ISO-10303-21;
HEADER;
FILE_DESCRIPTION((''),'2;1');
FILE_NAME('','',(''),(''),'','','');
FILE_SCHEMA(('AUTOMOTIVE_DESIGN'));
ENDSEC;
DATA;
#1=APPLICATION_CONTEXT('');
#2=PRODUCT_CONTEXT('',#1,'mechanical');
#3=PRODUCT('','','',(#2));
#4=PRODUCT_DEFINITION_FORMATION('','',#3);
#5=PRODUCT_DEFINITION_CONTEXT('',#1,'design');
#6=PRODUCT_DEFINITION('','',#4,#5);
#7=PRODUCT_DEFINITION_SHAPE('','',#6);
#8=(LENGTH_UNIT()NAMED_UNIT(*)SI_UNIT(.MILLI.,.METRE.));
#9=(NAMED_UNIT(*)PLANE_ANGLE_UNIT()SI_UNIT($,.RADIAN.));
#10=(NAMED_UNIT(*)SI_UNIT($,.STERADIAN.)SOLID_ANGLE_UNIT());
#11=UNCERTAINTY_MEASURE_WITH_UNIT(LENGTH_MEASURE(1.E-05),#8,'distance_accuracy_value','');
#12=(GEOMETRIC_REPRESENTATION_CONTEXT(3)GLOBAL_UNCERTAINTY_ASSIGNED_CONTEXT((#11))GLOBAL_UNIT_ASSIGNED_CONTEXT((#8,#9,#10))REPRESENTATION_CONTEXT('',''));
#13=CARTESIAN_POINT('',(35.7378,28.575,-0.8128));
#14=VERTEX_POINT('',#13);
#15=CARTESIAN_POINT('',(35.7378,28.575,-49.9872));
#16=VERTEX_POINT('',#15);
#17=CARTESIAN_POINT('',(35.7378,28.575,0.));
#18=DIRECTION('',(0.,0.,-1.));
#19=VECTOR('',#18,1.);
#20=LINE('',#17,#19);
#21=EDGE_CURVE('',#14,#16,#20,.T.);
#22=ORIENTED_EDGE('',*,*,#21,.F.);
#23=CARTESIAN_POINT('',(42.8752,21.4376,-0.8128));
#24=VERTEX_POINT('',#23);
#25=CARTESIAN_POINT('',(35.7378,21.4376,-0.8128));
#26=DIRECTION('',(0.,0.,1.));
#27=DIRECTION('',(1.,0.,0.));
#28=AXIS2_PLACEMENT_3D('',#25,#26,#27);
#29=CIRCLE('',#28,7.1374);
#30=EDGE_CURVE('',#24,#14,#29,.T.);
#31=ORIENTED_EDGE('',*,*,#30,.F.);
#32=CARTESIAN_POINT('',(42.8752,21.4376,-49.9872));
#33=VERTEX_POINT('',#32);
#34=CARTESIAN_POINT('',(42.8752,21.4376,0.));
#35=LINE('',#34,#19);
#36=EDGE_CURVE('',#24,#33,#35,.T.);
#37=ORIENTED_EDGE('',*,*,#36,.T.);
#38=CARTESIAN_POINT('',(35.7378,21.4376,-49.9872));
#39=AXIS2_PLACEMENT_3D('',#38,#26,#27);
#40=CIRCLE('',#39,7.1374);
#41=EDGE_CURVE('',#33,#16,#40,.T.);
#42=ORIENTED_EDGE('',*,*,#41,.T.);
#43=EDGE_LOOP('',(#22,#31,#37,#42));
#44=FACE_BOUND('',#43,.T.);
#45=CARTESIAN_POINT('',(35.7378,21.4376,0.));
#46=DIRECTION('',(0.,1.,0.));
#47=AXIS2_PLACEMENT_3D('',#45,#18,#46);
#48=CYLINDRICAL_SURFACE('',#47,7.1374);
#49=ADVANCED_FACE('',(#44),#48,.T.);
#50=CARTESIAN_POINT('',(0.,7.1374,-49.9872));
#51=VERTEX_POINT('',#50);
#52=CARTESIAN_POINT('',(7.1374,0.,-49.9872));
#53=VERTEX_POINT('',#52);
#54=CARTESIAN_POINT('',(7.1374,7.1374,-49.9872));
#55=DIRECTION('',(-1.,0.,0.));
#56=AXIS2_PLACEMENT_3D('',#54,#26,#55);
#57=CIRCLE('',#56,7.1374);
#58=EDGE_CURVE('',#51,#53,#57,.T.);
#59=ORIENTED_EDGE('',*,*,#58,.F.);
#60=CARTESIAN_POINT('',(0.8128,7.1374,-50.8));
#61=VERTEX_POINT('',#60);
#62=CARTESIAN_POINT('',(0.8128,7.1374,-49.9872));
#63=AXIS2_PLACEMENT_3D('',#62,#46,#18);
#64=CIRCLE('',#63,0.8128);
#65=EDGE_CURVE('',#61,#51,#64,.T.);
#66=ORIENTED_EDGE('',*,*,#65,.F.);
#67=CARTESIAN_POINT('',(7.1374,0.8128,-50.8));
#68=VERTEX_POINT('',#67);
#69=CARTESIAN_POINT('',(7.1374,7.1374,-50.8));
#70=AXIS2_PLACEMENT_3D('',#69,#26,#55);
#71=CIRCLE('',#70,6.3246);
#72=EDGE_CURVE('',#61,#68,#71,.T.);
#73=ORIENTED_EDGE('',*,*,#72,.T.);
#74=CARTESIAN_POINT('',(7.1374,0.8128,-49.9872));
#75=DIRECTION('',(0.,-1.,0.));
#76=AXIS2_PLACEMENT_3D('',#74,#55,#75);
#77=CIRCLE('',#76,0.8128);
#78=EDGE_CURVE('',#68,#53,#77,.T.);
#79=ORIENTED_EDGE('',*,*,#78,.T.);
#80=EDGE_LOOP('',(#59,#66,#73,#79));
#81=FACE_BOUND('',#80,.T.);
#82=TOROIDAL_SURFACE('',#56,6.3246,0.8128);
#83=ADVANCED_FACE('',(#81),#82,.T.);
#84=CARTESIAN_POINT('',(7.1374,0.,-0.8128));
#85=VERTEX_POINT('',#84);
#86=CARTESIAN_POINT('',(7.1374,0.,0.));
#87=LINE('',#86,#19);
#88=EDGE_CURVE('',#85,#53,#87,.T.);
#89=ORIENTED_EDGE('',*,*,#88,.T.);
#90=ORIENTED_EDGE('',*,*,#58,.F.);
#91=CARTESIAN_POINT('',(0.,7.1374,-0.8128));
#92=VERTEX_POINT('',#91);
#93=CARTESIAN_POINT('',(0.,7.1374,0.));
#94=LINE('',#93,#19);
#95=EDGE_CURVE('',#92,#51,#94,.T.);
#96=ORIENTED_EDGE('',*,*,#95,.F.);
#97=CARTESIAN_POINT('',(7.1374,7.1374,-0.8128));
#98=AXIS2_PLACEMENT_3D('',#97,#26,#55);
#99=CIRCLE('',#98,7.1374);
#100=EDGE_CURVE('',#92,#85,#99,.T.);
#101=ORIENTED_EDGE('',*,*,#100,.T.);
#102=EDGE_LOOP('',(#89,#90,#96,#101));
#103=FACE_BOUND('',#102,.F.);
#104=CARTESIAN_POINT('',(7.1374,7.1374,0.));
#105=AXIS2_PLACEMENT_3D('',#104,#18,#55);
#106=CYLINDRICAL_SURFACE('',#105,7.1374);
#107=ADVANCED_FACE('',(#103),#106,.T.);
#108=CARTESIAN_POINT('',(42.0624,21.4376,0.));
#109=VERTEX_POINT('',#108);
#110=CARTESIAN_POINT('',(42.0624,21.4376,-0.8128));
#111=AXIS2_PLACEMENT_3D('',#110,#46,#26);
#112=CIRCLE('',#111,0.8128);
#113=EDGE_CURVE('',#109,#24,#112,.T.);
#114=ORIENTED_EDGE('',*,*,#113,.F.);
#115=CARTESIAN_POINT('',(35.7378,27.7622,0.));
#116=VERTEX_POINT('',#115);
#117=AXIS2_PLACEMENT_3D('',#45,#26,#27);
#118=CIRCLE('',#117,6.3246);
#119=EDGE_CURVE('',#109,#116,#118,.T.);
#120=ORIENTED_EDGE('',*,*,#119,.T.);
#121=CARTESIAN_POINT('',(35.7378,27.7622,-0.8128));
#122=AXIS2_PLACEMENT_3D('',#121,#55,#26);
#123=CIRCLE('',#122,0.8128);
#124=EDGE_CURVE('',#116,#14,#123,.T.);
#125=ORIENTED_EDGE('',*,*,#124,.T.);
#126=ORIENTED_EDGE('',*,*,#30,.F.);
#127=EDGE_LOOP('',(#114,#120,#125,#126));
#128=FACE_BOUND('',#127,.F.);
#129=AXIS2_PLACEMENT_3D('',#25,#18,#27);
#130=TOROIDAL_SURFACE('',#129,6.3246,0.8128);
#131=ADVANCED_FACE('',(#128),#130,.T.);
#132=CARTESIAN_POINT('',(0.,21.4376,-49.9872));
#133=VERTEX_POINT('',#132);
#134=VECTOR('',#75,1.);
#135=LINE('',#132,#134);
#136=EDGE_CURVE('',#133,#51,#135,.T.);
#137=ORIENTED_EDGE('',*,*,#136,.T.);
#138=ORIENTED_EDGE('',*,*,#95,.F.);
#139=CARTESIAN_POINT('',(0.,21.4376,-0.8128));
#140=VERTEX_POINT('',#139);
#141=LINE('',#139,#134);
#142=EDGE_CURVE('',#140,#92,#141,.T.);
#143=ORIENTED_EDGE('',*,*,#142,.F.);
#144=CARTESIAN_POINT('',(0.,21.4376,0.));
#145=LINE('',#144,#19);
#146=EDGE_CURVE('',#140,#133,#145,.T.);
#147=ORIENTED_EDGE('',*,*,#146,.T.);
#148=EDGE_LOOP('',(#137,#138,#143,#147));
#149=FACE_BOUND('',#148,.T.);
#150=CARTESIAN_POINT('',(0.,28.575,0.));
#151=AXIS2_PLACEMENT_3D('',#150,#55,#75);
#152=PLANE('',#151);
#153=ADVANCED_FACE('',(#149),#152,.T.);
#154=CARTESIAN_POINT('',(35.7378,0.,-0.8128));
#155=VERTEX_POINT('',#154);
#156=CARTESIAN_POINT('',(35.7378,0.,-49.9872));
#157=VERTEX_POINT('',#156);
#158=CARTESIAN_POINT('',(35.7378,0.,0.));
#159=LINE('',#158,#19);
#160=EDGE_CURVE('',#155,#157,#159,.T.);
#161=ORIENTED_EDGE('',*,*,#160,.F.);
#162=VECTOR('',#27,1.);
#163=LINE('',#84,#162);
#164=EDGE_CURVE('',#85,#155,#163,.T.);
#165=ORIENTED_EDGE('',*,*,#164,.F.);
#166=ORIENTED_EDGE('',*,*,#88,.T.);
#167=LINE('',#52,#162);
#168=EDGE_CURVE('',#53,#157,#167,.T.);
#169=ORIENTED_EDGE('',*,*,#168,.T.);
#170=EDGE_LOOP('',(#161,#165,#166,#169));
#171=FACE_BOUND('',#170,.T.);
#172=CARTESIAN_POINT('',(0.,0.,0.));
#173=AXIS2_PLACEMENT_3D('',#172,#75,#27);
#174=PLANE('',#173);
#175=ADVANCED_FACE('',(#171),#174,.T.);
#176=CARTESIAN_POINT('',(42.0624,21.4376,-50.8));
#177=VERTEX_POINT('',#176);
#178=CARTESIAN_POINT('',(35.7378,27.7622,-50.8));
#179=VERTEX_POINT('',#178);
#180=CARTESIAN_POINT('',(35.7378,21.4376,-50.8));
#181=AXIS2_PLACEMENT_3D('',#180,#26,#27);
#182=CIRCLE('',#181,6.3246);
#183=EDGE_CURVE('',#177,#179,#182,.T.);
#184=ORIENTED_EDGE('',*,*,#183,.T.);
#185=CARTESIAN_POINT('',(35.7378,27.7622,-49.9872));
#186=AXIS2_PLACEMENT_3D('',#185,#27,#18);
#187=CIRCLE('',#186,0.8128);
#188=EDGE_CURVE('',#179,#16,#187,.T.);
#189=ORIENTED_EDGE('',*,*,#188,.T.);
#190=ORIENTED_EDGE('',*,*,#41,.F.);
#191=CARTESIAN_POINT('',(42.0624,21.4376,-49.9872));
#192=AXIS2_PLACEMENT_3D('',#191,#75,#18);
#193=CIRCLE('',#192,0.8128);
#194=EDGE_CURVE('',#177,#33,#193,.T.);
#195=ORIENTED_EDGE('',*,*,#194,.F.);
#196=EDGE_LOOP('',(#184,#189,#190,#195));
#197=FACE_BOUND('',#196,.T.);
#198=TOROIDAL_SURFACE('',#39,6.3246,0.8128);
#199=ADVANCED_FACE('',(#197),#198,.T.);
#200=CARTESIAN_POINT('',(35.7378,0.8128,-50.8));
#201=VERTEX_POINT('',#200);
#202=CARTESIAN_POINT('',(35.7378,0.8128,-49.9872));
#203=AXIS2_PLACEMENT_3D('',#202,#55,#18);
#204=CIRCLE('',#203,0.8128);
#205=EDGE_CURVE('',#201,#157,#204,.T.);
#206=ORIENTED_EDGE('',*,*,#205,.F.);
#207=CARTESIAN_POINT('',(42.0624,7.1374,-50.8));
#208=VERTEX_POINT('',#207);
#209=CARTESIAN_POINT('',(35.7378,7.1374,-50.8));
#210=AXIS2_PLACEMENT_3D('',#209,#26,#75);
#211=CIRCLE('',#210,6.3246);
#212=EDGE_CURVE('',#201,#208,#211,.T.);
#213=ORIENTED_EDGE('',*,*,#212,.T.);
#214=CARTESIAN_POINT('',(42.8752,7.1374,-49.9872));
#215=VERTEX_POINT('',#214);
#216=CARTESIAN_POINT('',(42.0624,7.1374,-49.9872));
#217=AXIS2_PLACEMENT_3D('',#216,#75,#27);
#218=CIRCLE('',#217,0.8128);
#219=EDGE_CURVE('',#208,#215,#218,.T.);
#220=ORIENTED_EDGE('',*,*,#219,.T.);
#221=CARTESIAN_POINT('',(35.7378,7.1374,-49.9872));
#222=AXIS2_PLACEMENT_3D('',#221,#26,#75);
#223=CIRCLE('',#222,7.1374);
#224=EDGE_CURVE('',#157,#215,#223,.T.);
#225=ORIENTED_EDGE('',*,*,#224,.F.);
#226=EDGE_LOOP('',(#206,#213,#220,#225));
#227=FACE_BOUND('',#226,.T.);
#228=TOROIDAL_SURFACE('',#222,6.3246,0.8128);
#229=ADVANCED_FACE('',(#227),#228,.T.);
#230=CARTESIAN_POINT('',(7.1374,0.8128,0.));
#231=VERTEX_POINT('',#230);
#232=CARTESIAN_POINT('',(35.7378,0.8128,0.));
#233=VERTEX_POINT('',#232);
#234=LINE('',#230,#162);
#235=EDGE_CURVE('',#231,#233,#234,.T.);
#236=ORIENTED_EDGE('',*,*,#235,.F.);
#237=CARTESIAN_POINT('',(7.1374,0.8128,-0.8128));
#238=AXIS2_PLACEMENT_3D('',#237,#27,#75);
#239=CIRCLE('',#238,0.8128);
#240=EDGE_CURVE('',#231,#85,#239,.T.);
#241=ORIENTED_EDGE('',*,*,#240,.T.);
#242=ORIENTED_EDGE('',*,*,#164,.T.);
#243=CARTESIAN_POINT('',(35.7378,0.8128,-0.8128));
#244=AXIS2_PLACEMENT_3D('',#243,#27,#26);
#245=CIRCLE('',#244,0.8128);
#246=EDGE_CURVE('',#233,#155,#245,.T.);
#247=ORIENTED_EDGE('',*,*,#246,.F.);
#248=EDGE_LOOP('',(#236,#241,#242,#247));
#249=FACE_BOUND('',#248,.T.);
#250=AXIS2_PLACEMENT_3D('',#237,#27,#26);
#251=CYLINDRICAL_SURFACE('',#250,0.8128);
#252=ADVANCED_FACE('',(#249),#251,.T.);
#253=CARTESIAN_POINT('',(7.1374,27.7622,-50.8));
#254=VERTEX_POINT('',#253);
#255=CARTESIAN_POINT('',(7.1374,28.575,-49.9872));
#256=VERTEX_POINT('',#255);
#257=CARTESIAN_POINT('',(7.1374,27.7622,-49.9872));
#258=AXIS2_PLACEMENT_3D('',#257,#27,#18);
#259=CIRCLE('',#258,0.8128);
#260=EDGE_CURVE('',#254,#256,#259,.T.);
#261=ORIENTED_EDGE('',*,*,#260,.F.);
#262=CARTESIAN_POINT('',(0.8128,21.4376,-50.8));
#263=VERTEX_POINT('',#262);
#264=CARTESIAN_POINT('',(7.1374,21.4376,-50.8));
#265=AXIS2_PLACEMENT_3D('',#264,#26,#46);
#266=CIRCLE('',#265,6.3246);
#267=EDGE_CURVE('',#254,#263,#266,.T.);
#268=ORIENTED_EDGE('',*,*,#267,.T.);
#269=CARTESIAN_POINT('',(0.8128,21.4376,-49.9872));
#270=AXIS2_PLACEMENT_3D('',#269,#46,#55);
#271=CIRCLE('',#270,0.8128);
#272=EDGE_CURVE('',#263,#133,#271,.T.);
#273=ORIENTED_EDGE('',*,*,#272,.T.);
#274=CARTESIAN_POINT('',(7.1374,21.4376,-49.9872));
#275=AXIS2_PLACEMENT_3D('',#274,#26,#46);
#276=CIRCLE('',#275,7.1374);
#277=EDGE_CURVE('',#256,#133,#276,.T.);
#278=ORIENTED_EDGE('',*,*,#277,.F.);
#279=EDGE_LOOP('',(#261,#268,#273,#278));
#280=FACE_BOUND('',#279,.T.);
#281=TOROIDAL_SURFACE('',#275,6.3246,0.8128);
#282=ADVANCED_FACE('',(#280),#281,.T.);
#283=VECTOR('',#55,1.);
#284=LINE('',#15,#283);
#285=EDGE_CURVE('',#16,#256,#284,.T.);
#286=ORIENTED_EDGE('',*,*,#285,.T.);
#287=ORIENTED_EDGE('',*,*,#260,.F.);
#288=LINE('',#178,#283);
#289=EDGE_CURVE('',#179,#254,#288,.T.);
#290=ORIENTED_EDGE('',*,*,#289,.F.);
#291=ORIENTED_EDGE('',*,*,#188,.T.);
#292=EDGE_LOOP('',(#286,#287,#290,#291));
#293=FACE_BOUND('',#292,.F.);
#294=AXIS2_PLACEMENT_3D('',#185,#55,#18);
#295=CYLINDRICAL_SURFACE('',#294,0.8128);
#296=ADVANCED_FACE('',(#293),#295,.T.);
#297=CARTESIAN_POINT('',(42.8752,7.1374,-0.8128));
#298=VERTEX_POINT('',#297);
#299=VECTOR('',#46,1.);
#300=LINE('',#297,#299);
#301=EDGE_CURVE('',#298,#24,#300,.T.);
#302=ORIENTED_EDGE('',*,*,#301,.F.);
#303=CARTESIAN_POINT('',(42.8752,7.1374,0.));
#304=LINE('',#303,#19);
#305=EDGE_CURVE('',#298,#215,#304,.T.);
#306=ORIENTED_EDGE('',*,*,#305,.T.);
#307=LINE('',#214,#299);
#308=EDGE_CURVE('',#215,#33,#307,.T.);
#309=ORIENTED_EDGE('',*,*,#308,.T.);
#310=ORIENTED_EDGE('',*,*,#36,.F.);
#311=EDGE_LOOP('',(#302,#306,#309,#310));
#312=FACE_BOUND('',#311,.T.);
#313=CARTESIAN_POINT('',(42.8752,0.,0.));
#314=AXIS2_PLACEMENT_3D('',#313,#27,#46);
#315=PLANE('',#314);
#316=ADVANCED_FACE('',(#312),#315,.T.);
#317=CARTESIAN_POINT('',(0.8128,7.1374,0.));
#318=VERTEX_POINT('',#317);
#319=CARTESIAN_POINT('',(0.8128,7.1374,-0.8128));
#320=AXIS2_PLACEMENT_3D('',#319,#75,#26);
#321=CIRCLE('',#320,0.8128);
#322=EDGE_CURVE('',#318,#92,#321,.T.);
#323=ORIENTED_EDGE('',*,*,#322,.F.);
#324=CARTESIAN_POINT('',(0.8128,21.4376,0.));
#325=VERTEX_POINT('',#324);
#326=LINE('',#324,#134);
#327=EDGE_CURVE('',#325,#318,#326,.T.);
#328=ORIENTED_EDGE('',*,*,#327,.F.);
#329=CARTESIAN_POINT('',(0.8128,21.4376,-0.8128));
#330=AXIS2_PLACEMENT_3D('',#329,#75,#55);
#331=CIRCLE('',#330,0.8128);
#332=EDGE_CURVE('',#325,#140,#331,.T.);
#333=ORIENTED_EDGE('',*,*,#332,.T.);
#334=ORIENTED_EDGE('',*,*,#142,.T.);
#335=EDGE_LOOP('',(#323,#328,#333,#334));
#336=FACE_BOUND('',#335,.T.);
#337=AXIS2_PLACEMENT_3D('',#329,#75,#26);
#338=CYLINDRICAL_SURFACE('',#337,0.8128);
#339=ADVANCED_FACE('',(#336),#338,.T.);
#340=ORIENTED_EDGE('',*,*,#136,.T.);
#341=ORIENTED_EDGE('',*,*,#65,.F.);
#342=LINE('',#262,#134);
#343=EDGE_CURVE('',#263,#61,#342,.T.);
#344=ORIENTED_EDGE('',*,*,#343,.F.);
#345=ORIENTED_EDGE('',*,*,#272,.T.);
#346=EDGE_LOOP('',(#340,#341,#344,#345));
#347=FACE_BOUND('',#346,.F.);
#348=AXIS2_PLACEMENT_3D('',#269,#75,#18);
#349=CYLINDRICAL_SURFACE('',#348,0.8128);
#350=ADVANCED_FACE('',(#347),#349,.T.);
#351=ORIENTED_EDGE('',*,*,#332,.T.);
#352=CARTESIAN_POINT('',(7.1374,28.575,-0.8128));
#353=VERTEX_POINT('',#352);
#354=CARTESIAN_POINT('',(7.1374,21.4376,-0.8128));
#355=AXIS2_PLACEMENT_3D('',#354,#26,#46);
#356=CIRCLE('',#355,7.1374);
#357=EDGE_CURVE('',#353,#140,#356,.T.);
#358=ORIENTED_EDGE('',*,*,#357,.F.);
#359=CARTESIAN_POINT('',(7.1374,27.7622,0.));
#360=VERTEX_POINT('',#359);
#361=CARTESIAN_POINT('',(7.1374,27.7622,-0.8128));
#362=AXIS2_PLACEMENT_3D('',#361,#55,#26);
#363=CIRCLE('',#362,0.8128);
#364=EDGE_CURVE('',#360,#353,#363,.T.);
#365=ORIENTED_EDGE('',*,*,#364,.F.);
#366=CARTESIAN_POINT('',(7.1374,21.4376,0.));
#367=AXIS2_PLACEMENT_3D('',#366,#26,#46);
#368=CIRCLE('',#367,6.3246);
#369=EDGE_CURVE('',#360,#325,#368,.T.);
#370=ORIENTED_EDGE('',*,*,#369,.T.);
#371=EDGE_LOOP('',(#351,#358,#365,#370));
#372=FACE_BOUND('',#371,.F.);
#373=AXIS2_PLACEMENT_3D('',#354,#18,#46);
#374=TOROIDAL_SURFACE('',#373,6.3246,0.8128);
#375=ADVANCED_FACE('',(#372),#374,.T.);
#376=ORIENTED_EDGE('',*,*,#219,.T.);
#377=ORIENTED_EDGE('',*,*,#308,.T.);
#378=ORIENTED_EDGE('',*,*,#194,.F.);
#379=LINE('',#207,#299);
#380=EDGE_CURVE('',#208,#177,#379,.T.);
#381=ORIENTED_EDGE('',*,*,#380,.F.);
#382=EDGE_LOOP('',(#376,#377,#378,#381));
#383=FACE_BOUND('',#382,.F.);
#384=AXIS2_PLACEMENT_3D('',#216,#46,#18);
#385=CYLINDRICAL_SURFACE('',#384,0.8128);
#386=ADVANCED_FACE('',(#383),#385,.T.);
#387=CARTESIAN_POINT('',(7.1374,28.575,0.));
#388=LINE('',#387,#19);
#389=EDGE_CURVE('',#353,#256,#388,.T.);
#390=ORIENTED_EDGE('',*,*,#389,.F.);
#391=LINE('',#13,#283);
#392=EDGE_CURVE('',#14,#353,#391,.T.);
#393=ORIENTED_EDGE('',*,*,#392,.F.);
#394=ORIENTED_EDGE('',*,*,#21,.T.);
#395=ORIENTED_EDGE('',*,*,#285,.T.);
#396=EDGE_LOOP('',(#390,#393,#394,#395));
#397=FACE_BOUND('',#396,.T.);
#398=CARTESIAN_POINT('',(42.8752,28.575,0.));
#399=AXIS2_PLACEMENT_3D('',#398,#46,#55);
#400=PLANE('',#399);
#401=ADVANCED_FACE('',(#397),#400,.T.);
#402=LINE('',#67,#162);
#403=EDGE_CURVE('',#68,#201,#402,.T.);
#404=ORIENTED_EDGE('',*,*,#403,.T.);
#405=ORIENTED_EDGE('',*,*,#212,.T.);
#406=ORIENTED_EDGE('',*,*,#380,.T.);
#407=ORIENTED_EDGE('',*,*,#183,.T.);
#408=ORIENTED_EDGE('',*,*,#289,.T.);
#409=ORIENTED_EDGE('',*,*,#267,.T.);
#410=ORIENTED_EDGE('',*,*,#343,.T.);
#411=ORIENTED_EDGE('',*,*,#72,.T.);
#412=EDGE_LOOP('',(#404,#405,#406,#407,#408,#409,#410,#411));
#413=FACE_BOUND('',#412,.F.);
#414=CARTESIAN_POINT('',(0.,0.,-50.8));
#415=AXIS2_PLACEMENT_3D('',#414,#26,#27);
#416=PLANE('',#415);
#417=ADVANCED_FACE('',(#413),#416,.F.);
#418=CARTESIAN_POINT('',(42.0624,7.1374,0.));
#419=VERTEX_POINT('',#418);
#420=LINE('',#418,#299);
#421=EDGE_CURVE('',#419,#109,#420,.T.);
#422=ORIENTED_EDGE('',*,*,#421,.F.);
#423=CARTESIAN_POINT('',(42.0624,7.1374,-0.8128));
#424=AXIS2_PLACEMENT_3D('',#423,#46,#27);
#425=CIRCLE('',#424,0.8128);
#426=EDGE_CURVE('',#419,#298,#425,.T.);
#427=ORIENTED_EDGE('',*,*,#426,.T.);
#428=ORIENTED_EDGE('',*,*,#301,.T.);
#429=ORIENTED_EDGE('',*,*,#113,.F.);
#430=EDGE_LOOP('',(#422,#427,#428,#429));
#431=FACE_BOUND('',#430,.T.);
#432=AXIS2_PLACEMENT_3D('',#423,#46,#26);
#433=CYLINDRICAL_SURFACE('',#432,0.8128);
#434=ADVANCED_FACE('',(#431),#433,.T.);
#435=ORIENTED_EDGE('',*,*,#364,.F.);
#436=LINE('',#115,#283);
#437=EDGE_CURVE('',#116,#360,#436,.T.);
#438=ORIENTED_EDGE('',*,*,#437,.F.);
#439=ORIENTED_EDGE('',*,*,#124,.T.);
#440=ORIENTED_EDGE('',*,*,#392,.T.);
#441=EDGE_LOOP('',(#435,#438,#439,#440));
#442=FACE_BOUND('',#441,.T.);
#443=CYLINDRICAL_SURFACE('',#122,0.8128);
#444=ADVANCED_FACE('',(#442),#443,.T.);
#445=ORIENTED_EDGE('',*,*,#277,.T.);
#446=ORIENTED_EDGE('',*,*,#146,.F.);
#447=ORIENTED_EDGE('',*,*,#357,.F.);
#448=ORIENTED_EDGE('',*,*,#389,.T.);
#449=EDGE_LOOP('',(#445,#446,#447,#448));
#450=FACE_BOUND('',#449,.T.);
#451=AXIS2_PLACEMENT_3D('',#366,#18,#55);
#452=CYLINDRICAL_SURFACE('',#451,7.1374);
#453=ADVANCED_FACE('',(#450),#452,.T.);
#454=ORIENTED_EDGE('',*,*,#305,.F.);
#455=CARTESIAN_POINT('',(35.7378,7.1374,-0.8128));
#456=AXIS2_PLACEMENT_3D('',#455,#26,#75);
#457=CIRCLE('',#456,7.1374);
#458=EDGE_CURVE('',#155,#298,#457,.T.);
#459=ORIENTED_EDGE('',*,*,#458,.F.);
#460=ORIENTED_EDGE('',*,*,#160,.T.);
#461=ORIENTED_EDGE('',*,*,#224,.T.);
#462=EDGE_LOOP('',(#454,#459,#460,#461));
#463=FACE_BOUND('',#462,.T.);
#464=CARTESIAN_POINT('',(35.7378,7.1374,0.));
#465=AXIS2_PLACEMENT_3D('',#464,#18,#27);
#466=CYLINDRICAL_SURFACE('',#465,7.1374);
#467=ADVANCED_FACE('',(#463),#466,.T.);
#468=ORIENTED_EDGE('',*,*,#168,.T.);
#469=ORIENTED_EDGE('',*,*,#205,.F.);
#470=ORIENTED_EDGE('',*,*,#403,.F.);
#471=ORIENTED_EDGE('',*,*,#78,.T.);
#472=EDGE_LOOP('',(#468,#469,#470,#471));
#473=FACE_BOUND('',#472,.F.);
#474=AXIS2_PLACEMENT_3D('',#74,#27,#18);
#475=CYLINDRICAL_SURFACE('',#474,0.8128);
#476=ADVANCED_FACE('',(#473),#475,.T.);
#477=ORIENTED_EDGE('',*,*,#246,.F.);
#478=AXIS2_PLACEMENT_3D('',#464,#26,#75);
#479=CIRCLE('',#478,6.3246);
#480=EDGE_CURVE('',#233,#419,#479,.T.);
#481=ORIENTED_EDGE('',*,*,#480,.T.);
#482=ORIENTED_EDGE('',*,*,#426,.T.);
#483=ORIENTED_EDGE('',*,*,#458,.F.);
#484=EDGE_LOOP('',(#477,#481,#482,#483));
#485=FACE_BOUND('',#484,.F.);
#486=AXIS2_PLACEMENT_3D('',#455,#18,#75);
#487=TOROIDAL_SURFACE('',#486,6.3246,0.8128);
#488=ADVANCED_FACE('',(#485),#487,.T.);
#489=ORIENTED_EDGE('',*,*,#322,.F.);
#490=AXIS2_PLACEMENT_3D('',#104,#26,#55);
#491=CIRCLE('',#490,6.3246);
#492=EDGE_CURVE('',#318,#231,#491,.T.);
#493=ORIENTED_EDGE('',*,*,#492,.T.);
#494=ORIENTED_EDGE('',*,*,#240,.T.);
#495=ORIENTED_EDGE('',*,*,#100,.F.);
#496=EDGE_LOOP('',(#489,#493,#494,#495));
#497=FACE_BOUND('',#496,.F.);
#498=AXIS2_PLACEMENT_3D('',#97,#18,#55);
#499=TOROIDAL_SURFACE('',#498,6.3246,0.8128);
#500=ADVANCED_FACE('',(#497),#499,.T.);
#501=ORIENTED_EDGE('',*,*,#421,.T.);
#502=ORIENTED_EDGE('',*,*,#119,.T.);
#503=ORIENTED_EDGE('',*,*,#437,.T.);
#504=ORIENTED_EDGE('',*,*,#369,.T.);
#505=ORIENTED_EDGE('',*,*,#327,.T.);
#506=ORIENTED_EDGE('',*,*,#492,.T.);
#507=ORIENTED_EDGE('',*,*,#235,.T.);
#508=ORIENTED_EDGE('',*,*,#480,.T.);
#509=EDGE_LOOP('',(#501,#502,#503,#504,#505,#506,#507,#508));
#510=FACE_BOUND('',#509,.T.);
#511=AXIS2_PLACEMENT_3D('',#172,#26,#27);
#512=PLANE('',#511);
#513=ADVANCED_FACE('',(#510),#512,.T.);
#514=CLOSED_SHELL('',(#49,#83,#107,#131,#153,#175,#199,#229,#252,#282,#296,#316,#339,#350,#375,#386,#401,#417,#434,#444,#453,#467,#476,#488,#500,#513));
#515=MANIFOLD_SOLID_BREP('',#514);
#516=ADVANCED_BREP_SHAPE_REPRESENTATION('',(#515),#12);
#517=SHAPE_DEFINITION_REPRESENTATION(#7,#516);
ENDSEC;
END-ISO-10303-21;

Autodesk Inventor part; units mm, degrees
ref_plane "YZ Plane" through (0, 0, 0) normal (1, 0, 0) x (0, 1, 0)
ref_plane "XZ Plane" through (0, 0, 0) normal (0, 1, 0) x (-1, 0, 0)
ref_plane "XY Plane" through (0, 0, 0) normal (0, 0, 1) x (1, 0, 0)
sketch "Sketch1" plane through (0, 0, 0) normal (0, 0, 1) x (1, 0, 0)
  line L0 (0, 0) -> (42.8752, 0)
  line L1 (42.8752, 0) -> (42.8752, 28.575)
  line L2 (42.8752, 28.575) -> (0, 28.575)
  line L3 (0, 28.575) -> (0, 0)
  dimension "d0" = 42.8752
  dimension "d1" = 28.575
extrude "Extrusion1" add sketch "Sketch1" against normal blind 50.8
fillet "Fillet1" radius 7.1374 4 edges at (42.8752, 28.575, -25.4) (0, 28.575, -25.4) (0, 0, -25.4) (42.8752, 0, -25.4)
fillet "Fillet2" radius 0.8128 16 edges at (21.4376, 28.575, 0) (2.0905, 26.4845, 0) (0, 14.2875, 0) (2.0905, 2.0905, 0) (21.4376, 0, 0) (40.7847, 2.0905, 0) (42.8752, 14.2875, 0) (40.7847, 26.4845, 0) (21.4376, 28.575, -50.8) (2.0905, 26.4845, -50.8) (0, 14.2875, -50.8) (2.0905, 2.0905, -50.8) (21.4376, 0, -50.8) (40.7847, 2.0905, -50.8) (42.8752, 14.2875, -50.8) (40.7847, 26.4845, -50.8)
properties part number "276-1456"
